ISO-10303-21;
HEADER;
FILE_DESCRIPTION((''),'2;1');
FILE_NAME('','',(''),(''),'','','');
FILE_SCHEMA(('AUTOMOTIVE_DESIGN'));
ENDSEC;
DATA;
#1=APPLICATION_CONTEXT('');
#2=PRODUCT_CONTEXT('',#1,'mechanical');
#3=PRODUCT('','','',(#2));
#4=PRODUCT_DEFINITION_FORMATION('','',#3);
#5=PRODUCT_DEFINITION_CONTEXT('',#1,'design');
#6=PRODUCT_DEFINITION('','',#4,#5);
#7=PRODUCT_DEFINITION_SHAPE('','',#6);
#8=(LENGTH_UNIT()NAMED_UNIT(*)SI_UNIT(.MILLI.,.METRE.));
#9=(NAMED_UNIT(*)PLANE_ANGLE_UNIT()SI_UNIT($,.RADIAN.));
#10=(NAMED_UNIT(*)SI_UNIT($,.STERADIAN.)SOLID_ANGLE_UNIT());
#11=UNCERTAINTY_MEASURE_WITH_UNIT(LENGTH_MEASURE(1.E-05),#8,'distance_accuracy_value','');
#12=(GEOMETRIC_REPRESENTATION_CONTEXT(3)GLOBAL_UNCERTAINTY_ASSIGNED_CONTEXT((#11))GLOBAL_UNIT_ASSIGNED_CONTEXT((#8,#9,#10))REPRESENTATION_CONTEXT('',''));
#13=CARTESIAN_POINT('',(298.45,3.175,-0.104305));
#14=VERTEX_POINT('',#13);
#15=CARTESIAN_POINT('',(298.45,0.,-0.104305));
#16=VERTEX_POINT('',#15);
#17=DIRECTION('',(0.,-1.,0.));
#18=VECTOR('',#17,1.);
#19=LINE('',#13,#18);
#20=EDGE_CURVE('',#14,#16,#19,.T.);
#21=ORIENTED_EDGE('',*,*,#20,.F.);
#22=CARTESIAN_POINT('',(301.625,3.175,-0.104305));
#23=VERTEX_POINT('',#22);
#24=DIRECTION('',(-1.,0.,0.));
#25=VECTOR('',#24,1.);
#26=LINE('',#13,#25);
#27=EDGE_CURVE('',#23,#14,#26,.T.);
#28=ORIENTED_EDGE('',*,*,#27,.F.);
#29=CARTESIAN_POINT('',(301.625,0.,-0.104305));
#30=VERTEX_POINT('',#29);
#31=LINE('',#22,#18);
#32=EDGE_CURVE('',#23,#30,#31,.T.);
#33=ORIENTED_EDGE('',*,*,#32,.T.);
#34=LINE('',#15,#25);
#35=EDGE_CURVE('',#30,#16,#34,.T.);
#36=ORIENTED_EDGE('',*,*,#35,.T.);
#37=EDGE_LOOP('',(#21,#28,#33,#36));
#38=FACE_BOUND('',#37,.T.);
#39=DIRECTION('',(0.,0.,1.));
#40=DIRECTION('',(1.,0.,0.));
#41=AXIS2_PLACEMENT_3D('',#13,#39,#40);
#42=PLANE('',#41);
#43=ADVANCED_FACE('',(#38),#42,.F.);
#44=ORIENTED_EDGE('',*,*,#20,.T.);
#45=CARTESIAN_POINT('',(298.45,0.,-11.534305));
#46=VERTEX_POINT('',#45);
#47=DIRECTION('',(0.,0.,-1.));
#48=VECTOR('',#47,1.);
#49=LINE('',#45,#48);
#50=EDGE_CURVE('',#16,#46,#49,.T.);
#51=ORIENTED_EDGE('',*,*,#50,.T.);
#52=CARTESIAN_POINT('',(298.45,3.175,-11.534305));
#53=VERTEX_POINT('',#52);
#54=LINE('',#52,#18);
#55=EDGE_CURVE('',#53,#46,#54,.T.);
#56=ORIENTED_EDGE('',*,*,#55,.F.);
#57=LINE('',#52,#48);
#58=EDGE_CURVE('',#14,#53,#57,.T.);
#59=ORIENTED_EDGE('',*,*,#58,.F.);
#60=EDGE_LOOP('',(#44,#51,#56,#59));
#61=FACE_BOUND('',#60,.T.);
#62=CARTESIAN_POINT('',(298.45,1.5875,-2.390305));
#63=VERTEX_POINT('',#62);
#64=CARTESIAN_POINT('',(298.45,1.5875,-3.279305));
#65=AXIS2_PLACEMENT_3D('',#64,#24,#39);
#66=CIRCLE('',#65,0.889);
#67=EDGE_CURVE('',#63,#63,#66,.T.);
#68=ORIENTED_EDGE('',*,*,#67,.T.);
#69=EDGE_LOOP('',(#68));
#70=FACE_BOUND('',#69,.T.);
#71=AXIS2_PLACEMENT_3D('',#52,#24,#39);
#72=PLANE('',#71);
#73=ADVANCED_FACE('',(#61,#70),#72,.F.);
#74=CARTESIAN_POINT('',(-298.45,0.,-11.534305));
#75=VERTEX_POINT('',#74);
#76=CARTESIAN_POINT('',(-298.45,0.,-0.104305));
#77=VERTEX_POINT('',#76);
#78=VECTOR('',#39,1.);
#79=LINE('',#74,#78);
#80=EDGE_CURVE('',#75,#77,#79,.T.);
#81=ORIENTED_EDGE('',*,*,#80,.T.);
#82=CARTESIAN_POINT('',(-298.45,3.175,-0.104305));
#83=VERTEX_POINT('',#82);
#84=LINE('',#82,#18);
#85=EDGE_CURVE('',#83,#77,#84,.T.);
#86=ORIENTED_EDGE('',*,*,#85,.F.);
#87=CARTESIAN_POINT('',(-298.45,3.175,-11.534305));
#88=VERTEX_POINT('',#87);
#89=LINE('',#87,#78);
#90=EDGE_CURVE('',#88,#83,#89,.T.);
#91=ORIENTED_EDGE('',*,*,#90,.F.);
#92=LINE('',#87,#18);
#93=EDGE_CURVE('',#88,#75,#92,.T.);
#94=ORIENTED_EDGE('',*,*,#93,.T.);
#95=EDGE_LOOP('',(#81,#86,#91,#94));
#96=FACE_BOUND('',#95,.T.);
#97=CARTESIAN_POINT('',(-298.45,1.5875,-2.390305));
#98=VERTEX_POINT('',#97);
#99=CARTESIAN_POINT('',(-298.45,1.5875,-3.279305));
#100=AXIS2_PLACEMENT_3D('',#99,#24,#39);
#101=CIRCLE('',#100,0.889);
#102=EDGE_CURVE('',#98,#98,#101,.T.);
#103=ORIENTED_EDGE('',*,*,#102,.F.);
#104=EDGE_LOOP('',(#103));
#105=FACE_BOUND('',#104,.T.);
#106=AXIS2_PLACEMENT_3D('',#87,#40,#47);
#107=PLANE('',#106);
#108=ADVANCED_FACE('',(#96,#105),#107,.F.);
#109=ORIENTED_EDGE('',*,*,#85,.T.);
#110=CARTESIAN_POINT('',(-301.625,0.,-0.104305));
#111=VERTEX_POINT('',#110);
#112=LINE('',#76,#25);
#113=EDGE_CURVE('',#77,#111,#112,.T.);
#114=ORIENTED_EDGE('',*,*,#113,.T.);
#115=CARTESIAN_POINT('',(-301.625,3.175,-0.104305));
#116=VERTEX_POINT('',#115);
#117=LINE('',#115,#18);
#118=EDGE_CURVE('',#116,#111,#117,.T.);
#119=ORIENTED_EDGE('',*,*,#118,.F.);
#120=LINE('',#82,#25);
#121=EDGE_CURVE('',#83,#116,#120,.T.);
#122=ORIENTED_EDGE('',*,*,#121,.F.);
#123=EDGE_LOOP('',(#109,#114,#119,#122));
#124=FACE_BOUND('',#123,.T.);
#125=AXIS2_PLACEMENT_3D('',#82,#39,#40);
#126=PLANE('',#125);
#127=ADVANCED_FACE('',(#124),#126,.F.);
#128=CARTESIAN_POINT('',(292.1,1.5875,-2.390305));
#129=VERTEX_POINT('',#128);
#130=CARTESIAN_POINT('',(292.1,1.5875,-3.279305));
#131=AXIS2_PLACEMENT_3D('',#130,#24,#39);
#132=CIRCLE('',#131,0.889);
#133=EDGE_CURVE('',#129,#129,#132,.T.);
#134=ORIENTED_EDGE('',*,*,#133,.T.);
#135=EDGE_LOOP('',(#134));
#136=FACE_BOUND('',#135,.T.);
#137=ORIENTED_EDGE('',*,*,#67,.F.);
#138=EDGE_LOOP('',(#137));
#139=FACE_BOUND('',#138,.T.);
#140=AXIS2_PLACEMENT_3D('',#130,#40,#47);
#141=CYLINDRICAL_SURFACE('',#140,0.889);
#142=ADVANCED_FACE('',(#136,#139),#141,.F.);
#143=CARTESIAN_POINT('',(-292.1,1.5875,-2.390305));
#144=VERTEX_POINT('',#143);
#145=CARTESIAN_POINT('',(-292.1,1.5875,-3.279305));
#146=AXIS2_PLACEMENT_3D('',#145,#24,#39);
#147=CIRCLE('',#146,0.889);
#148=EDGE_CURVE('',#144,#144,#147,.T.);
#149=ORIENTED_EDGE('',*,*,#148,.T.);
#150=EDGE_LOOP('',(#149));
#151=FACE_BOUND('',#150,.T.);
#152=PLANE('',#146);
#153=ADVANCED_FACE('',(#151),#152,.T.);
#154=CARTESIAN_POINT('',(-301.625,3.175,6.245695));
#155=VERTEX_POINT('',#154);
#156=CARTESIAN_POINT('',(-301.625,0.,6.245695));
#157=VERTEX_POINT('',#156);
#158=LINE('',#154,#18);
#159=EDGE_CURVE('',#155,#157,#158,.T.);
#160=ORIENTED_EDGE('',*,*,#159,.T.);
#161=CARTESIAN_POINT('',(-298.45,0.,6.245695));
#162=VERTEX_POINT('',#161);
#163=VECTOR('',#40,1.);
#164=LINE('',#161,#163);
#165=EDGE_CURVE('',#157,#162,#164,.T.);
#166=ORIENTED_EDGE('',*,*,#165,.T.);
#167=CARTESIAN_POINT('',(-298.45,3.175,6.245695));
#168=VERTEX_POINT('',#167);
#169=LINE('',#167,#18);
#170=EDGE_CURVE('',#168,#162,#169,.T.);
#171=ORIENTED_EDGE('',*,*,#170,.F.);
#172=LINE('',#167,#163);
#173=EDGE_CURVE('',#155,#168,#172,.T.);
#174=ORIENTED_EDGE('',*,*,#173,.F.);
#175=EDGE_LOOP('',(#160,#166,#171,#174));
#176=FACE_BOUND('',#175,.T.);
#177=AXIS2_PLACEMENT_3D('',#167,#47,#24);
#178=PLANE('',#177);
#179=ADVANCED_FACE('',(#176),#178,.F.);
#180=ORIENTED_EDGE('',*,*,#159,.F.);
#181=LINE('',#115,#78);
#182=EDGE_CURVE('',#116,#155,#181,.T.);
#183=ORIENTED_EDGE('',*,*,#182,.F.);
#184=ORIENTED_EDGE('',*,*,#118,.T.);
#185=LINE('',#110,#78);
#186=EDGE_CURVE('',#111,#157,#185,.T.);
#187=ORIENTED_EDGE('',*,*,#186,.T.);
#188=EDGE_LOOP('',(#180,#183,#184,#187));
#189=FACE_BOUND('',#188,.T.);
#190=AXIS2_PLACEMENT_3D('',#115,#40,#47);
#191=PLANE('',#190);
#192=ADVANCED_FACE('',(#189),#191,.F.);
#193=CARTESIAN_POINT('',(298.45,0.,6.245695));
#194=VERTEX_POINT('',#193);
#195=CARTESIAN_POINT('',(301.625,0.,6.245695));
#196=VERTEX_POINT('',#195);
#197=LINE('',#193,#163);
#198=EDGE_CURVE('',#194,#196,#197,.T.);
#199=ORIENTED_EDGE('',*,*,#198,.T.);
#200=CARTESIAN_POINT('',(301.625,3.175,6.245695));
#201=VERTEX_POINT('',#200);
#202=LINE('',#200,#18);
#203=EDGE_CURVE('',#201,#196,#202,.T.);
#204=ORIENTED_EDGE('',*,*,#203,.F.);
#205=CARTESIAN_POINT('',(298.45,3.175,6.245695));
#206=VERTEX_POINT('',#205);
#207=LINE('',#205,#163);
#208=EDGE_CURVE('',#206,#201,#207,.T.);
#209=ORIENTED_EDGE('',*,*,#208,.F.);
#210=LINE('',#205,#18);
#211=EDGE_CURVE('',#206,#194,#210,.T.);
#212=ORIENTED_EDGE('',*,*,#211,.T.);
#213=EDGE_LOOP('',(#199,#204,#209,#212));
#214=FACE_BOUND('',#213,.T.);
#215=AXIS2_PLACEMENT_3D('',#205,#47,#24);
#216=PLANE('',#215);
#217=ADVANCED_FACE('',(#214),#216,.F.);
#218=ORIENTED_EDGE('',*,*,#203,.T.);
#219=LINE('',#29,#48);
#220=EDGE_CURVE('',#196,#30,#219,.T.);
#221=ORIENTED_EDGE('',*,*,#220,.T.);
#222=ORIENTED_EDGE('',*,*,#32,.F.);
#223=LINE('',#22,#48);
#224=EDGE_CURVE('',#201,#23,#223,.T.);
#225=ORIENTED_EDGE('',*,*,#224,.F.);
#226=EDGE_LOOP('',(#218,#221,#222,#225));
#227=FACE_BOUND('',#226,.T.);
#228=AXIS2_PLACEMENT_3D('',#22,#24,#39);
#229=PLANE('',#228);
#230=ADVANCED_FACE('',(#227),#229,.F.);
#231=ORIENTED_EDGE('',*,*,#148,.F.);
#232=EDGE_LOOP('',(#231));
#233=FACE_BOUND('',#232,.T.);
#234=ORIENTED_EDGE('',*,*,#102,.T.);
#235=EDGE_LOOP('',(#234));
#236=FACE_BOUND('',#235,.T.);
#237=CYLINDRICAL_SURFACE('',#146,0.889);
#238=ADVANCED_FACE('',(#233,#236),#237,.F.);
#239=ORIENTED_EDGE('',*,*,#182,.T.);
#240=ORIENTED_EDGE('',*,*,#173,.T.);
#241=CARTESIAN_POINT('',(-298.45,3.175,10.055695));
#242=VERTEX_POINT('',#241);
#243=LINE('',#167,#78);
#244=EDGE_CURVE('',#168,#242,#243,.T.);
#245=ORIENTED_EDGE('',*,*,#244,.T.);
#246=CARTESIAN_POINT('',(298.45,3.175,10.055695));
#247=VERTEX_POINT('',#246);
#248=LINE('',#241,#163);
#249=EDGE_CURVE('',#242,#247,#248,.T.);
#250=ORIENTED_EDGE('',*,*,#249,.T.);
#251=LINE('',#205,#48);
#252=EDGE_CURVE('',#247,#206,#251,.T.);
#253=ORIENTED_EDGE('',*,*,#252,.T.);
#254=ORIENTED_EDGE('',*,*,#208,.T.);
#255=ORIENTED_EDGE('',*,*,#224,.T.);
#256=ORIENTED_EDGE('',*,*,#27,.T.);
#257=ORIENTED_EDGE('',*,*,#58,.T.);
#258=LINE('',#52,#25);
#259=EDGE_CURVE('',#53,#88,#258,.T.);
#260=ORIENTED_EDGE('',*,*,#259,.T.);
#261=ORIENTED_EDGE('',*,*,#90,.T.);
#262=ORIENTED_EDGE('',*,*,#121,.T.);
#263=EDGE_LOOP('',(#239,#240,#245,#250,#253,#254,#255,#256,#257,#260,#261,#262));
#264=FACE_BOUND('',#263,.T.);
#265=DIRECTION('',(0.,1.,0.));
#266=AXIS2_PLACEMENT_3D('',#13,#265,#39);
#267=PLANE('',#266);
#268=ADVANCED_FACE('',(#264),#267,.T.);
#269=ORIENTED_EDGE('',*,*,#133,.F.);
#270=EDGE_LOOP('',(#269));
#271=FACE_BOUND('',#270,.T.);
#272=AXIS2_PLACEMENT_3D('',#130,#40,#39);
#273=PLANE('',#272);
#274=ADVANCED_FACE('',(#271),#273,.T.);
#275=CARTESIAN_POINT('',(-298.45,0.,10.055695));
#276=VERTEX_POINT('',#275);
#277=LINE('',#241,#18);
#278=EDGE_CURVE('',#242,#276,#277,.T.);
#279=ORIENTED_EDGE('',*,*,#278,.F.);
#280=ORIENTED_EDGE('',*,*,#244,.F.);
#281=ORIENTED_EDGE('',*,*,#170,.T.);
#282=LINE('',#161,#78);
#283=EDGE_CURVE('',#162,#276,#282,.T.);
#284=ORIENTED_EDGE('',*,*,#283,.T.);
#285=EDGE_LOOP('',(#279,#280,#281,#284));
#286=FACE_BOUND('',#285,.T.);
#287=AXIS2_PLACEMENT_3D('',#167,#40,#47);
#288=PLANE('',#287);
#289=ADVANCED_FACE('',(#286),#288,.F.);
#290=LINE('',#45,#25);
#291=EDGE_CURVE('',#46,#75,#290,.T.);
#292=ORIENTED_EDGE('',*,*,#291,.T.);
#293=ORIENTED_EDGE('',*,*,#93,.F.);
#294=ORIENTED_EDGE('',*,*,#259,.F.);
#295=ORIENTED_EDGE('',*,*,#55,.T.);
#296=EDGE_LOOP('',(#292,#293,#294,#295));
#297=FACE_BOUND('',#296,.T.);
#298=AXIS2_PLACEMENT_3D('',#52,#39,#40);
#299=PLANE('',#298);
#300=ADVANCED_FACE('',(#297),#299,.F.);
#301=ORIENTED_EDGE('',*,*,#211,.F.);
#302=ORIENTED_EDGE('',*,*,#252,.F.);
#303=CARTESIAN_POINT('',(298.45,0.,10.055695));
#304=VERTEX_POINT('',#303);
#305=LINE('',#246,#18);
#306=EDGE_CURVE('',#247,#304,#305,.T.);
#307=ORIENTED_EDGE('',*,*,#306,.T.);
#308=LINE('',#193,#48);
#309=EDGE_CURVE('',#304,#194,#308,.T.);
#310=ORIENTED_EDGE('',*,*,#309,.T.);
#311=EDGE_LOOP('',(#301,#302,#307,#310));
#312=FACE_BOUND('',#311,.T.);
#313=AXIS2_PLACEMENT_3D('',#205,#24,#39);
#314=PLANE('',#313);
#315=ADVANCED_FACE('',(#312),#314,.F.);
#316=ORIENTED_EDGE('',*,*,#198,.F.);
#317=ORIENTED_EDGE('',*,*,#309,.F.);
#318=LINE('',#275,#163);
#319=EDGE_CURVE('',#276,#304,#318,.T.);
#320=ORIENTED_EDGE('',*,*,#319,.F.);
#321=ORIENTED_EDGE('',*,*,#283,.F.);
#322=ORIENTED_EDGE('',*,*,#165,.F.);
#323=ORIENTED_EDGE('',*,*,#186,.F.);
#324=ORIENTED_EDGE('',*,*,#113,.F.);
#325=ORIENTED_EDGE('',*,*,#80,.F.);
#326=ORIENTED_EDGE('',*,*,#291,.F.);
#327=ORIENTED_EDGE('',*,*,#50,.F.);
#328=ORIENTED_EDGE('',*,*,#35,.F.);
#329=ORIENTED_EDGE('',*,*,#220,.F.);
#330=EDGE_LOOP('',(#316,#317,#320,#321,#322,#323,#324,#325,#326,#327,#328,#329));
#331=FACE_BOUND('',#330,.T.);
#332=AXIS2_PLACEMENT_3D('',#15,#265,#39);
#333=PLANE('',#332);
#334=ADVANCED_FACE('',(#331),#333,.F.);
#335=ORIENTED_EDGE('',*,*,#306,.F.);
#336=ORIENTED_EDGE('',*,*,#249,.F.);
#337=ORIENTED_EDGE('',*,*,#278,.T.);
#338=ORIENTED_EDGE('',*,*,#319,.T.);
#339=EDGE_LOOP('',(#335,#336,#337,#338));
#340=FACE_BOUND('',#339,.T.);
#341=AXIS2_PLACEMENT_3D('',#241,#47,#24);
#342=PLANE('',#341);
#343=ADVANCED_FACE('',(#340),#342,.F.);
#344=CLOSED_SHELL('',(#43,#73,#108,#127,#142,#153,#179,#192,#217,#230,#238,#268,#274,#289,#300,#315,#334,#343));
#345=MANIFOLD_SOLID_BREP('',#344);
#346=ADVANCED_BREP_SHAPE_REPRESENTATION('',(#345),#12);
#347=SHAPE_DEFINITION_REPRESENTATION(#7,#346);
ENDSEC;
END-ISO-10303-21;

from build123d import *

# Parameters (mm, degrees)
BOSS_EXTRUDE1_DEPTH = 3.175
SKETCH2_R           = 0.889
CUT_EXTRUDE1_DEPTH  = 6.35


with BuildPart() as part:
    # Sketch1 → Boss-Extrude1 (new body)
    with BuildSketch(Plane(origin=(0, 0, 0), x_dir=(1, 0, 0), z_dir=(0, 1, 0))):
        Polygon((-298.45, -6.245695132), (-298.45, -10.055695132), (298.45, -10.055695132), (298.45, -6.245695132), (301.625, -6.245695132), (301.625, 0.104304868), (298.45, 0.104304868), (298.45, 11.534304868), (-298.45, 11.534304868), (-298.45, 0.104304868), (-301.625, 0.104304868), (-301.625, -6.245695132), align=None)
    extrude(amount=BOSS_EXTRUDE1_DEPTH)

    # Sketch2 → Cut-Extrude1 (cut)
    with BuildSketch(Plane.ZY.offset(298.45)):
        with Locations((-3.279304868, 1.5875)):
            Circle(SKETCH2_R)
    cut_extrude1 = extrude(amount=-CUT_EXTRUDE1_DEPTH, mode=Mode.SUBTRACT)

    # Mirror1: Cut-Extrude1 across plane
    add(cut_extrude1.mirror(Plane(origin=(0, 0, 0), x_dir=(0, 0, 1), z_dir=(1, 0, 0))), mode=Mode.SUBTRACT)


solid = part.part
